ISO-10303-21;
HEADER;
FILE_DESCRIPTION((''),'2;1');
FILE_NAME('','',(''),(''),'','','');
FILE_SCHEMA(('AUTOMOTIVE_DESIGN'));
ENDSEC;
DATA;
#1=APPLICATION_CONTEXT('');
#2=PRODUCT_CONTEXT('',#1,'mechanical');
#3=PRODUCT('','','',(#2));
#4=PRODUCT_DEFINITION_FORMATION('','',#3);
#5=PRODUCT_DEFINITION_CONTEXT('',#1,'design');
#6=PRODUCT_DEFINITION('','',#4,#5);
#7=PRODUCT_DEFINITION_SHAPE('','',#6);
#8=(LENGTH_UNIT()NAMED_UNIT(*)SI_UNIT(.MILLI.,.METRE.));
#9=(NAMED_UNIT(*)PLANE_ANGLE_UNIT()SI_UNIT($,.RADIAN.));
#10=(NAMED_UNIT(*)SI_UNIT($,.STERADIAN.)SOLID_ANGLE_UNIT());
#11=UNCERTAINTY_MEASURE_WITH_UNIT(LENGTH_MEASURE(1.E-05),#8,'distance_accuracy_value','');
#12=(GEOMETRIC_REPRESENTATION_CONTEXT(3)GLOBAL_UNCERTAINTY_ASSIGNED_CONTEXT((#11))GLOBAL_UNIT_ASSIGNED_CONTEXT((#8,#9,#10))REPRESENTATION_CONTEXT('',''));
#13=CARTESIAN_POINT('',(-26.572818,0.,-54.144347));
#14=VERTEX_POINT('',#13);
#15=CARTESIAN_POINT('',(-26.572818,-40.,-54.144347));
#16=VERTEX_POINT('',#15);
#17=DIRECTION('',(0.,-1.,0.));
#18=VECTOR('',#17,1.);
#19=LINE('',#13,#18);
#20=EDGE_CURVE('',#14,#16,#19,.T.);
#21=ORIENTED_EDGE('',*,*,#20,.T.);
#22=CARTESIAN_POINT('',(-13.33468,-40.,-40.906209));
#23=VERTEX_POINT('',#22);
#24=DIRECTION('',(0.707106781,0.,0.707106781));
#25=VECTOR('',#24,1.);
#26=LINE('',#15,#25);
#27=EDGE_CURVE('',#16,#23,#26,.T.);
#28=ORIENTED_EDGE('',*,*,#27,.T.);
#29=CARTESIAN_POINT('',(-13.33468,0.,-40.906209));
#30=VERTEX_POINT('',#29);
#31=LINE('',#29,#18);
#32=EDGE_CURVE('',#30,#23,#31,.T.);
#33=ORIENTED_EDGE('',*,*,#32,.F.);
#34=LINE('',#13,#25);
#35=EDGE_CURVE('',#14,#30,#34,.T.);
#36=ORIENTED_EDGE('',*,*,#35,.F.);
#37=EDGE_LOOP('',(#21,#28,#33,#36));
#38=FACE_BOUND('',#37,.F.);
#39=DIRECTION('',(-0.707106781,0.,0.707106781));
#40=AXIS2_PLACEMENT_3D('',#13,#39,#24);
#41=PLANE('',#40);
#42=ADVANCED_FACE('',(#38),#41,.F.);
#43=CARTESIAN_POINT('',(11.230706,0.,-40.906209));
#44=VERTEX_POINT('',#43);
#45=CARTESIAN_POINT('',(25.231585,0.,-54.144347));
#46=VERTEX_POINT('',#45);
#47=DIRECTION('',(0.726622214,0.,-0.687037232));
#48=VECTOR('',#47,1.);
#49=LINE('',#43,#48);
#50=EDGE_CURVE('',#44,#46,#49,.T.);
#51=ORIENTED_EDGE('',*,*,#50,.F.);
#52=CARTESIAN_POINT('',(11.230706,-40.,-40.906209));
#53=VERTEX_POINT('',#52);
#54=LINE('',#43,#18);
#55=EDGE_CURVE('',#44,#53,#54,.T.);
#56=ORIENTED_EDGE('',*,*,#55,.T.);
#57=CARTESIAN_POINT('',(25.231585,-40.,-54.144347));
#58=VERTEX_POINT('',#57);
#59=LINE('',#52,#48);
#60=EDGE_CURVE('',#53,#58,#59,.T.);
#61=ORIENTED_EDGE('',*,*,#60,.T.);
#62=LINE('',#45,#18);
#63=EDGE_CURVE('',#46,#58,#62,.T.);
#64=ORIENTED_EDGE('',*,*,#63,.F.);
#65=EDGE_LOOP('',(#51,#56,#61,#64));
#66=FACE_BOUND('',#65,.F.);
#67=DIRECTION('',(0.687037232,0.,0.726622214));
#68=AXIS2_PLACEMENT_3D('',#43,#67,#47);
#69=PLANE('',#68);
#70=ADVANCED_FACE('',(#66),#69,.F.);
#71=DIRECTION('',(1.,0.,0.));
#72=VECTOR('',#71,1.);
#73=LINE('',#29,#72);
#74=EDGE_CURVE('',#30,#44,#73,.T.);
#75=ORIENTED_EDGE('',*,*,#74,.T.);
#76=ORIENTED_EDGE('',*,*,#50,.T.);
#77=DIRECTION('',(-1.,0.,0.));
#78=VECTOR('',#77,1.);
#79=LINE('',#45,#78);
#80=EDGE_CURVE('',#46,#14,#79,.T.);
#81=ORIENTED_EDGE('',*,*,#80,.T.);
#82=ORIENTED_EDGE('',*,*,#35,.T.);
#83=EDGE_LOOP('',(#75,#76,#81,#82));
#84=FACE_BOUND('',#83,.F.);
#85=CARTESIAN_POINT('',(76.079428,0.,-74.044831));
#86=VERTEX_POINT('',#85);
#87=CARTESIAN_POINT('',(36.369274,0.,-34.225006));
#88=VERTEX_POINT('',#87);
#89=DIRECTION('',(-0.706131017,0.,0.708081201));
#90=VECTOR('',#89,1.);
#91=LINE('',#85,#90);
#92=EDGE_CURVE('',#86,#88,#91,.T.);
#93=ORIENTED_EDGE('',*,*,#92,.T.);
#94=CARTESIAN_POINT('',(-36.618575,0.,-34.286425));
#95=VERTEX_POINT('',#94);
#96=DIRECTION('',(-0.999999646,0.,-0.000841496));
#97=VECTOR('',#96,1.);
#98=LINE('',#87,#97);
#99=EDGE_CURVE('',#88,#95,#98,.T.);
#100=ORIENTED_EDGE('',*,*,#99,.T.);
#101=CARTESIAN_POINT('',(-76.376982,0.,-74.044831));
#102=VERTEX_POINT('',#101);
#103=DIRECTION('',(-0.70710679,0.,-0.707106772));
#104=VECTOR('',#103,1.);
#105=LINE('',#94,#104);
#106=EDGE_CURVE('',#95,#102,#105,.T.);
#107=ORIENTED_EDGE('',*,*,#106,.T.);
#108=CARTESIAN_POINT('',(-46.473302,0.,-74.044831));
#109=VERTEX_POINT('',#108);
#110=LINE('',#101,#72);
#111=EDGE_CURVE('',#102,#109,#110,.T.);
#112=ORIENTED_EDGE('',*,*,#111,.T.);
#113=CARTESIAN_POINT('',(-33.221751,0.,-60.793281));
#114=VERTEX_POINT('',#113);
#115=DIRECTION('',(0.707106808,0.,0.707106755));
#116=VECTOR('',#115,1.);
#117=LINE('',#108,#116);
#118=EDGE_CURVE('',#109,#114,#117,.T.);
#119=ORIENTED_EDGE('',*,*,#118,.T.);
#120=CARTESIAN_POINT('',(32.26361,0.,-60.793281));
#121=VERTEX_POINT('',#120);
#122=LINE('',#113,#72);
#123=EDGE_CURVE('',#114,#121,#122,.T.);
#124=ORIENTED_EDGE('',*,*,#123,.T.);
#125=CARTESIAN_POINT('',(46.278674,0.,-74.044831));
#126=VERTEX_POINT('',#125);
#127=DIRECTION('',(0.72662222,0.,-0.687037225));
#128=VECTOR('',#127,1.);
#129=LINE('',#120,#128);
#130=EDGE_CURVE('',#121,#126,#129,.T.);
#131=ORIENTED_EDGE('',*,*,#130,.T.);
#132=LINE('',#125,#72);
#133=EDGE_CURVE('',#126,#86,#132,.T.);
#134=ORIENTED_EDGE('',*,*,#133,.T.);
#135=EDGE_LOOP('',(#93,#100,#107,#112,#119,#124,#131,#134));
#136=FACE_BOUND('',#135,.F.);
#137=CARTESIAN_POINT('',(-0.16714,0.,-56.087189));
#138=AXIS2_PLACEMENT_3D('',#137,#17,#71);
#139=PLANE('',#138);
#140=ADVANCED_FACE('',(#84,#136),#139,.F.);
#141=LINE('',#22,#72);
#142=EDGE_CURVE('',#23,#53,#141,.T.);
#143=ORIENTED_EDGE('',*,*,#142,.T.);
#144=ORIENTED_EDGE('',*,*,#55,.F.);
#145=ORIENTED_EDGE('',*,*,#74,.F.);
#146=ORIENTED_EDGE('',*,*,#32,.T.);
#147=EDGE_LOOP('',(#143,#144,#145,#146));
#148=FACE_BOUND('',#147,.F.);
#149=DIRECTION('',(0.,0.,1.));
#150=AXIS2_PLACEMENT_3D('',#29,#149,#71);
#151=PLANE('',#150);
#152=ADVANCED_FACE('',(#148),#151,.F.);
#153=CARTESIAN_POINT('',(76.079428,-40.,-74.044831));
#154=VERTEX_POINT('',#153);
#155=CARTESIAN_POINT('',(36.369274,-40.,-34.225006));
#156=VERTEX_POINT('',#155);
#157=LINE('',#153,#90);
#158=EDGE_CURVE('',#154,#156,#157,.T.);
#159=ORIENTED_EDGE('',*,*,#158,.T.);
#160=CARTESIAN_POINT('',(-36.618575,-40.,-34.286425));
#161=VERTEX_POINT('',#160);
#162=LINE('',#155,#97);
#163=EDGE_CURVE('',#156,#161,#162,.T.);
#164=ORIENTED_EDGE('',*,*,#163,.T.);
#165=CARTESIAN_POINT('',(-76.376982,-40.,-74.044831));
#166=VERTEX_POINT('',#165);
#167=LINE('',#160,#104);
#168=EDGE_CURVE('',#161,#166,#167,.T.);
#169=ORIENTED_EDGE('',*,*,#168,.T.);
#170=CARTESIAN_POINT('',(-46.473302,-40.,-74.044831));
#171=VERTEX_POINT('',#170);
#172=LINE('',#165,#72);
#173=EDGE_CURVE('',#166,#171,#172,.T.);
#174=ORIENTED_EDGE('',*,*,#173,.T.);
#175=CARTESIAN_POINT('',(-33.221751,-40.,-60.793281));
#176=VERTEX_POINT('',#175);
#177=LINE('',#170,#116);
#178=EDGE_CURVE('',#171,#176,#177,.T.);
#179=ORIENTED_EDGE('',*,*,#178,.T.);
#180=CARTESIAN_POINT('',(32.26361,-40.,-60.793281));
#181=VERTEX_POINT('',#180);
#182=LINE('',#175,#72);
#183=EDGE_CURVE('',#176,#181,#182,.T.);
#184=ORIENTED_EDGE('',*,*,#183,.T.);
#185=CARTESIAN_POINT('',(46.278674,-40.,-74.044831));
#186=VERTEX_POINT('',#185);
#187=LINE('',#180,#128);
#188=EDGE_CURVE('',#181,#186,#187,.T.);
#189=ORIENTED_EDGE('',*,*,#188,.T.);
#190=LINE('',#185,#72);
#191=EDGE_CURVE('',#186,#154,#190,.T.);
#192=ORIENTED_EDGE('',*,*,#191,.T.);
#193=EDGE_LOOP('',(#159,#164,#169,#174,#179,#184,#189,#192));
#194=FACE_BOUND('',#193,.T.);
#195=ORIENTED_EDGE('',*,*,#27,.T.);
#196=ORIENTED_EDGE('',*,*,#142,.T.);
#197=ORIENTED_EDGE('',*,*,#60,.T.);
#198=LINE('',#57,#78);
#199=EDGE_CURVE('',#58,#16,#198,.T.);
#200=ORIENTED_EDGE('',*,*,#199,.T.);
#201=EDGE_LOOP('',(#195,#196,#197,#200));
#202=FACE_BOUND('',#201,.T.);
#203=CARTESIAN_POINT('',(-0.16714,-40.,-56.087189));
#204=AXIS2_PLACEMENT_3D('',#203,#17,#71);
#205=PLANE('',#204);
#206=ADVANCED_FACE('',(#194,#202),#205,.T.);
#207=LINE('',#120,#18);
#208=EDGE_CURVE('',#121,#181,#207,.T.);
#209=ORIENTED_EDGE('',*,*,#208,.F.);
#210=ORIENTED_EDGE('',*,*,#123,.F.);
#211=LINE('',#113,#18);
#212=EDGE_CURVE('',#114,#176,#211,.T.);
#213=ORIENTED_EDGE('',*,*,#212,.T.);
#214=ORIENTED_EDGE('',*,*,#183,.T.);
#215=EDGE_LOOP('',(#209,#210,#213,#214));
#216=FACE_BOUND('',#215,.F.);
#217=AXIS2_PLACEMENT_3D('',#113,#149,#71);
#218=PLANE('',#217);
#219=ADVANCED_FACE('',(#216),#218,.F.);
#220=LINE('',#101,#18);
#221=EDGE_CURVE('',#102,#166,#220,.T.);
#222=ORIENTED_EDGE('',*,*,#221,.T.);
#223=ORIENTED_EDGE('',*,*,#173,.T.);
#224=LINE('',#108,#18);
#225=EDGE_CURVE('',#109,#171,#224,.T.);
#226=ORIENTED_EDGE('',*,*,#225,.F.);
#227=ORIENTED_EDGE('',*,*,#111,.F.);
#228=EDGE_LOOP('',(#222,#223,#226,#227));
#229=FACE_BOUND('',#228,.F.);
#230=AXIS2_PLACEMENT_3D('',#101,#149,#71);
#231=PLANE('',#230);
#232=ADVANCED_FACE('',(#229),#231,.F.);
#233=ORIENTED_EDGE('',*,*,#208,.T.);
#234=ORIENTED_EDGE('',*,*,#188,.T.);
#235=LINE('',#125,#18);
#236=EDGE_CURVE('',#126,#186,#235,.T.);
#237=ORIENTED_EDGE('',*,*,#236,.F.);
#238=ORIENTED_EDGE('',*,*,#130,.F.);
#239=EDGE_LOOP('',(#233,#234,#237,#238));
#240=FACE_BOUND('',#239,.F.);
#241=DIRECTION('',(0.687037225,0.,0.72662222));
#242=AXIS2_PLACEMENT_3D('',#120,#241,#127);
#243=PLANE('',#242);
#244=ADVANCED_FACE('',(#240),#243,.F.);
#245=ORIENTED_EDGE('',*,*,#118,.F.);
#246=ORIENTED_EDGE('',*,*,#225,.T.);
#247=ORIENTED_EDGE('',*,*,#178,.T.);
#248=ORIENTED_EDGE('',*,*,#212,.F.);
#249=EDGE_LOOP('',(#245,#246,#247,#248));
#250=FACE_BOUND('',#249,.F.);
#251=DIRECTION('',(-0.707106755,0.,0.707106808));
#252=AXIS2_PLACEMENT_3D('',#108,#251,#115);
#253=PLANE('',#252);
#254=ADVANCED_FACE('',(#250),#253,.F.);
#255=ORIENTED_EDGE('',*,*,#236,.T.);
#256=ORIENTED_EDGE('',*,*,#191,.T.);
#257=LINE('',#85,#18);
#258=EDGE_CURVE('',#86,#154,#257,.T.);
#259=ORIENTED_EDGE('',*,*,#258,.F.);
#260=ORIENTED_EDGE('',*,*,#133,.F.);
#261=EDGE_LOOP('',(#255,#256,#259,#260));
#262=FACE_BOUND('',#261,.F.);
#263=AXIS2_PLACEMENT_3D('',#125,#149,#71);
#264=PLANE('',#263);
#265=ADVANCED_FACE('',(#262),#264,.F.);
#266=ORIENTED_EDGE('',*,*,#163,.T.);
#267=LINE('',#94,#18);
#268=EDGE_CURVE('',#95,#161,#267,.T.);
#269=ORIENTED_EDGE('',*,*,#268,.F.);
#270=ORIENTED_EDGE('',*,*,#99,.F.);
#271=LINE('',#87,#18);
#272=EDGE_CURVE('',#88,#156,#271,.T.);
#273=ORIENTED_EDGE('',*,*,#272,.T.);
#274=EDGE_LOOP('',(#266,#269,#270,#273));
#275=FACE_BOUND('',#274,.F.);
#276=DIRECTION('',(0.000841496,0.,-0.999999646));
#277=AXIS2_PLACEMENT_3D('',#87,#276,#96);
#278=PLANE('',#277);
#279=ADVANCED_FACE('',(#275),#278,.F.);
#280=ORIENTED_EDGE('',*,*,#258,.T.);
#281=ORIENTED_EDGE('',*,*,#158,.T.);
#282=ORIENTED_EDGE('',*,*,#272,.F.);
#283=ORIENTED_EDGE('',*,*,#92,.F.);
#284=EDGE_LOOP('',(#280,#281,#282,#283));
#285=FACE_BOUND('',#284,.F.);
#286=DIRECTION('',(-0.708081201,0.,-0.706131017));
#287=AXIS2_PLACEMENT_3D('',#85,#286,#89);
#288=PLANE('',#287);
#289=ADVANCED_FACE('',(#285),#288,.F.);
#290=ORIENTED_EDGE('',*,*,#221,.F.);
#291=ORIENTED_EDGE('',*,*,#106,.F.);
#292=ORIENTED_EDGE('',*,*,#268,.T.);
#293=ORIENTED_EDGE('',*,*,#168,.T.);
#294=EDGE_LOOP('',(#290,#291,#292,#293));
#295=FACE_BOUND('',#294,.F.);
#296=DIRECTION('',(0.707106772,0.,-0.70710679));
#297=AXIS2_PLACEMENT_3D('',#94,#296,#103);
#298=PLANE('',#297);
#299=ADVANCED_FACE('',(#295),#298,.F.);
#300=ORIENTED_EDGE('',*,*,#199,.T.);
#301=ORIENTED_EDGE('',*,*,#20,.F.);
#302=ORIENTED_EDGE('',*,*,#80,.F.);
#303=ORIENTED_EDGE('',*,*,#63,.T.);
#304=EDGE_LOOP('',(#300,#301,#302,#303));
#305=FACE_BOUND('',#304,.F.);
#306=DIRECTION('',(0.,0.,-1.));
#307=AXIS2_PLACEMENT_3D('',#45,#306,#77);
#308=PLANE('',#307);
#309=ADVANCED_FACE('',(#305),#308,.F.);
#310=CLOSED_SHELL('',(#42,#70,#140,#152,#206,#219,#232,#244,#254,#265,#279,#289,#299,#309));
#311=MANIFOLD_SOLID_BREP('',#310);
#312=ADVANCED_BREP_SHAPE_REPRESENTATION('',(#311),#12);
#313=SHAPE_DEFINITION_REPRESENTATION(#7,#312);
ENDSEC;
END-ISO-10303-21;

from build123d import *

# Parameters (mm, degrees)
F1_DEPTH = 40


with BuildPart() as f1:
    # F0 (on Front) → F1 (new body)
    with BuildSketch(Plane.XZ):
        Polygon((46.278674, -74.044831), (76.079428, -74.044831), (36.369274, -34.225006), (-36.618575, -34.286425), (-76.376982, -74.044831), (-46.473302, -74.044831), (-33.221751, -60.793281), (32.26361, -60.793281), align=None)
        Polygon((-26.572818, -54.144347), (-13.33468, -40.906209), (11.230706, -40.906209), (25.231585, -54.144347), align=None, mode=Mode.SUBTRACT)
    extrude(amount=F1_DEPTH)


solid = f1.part
